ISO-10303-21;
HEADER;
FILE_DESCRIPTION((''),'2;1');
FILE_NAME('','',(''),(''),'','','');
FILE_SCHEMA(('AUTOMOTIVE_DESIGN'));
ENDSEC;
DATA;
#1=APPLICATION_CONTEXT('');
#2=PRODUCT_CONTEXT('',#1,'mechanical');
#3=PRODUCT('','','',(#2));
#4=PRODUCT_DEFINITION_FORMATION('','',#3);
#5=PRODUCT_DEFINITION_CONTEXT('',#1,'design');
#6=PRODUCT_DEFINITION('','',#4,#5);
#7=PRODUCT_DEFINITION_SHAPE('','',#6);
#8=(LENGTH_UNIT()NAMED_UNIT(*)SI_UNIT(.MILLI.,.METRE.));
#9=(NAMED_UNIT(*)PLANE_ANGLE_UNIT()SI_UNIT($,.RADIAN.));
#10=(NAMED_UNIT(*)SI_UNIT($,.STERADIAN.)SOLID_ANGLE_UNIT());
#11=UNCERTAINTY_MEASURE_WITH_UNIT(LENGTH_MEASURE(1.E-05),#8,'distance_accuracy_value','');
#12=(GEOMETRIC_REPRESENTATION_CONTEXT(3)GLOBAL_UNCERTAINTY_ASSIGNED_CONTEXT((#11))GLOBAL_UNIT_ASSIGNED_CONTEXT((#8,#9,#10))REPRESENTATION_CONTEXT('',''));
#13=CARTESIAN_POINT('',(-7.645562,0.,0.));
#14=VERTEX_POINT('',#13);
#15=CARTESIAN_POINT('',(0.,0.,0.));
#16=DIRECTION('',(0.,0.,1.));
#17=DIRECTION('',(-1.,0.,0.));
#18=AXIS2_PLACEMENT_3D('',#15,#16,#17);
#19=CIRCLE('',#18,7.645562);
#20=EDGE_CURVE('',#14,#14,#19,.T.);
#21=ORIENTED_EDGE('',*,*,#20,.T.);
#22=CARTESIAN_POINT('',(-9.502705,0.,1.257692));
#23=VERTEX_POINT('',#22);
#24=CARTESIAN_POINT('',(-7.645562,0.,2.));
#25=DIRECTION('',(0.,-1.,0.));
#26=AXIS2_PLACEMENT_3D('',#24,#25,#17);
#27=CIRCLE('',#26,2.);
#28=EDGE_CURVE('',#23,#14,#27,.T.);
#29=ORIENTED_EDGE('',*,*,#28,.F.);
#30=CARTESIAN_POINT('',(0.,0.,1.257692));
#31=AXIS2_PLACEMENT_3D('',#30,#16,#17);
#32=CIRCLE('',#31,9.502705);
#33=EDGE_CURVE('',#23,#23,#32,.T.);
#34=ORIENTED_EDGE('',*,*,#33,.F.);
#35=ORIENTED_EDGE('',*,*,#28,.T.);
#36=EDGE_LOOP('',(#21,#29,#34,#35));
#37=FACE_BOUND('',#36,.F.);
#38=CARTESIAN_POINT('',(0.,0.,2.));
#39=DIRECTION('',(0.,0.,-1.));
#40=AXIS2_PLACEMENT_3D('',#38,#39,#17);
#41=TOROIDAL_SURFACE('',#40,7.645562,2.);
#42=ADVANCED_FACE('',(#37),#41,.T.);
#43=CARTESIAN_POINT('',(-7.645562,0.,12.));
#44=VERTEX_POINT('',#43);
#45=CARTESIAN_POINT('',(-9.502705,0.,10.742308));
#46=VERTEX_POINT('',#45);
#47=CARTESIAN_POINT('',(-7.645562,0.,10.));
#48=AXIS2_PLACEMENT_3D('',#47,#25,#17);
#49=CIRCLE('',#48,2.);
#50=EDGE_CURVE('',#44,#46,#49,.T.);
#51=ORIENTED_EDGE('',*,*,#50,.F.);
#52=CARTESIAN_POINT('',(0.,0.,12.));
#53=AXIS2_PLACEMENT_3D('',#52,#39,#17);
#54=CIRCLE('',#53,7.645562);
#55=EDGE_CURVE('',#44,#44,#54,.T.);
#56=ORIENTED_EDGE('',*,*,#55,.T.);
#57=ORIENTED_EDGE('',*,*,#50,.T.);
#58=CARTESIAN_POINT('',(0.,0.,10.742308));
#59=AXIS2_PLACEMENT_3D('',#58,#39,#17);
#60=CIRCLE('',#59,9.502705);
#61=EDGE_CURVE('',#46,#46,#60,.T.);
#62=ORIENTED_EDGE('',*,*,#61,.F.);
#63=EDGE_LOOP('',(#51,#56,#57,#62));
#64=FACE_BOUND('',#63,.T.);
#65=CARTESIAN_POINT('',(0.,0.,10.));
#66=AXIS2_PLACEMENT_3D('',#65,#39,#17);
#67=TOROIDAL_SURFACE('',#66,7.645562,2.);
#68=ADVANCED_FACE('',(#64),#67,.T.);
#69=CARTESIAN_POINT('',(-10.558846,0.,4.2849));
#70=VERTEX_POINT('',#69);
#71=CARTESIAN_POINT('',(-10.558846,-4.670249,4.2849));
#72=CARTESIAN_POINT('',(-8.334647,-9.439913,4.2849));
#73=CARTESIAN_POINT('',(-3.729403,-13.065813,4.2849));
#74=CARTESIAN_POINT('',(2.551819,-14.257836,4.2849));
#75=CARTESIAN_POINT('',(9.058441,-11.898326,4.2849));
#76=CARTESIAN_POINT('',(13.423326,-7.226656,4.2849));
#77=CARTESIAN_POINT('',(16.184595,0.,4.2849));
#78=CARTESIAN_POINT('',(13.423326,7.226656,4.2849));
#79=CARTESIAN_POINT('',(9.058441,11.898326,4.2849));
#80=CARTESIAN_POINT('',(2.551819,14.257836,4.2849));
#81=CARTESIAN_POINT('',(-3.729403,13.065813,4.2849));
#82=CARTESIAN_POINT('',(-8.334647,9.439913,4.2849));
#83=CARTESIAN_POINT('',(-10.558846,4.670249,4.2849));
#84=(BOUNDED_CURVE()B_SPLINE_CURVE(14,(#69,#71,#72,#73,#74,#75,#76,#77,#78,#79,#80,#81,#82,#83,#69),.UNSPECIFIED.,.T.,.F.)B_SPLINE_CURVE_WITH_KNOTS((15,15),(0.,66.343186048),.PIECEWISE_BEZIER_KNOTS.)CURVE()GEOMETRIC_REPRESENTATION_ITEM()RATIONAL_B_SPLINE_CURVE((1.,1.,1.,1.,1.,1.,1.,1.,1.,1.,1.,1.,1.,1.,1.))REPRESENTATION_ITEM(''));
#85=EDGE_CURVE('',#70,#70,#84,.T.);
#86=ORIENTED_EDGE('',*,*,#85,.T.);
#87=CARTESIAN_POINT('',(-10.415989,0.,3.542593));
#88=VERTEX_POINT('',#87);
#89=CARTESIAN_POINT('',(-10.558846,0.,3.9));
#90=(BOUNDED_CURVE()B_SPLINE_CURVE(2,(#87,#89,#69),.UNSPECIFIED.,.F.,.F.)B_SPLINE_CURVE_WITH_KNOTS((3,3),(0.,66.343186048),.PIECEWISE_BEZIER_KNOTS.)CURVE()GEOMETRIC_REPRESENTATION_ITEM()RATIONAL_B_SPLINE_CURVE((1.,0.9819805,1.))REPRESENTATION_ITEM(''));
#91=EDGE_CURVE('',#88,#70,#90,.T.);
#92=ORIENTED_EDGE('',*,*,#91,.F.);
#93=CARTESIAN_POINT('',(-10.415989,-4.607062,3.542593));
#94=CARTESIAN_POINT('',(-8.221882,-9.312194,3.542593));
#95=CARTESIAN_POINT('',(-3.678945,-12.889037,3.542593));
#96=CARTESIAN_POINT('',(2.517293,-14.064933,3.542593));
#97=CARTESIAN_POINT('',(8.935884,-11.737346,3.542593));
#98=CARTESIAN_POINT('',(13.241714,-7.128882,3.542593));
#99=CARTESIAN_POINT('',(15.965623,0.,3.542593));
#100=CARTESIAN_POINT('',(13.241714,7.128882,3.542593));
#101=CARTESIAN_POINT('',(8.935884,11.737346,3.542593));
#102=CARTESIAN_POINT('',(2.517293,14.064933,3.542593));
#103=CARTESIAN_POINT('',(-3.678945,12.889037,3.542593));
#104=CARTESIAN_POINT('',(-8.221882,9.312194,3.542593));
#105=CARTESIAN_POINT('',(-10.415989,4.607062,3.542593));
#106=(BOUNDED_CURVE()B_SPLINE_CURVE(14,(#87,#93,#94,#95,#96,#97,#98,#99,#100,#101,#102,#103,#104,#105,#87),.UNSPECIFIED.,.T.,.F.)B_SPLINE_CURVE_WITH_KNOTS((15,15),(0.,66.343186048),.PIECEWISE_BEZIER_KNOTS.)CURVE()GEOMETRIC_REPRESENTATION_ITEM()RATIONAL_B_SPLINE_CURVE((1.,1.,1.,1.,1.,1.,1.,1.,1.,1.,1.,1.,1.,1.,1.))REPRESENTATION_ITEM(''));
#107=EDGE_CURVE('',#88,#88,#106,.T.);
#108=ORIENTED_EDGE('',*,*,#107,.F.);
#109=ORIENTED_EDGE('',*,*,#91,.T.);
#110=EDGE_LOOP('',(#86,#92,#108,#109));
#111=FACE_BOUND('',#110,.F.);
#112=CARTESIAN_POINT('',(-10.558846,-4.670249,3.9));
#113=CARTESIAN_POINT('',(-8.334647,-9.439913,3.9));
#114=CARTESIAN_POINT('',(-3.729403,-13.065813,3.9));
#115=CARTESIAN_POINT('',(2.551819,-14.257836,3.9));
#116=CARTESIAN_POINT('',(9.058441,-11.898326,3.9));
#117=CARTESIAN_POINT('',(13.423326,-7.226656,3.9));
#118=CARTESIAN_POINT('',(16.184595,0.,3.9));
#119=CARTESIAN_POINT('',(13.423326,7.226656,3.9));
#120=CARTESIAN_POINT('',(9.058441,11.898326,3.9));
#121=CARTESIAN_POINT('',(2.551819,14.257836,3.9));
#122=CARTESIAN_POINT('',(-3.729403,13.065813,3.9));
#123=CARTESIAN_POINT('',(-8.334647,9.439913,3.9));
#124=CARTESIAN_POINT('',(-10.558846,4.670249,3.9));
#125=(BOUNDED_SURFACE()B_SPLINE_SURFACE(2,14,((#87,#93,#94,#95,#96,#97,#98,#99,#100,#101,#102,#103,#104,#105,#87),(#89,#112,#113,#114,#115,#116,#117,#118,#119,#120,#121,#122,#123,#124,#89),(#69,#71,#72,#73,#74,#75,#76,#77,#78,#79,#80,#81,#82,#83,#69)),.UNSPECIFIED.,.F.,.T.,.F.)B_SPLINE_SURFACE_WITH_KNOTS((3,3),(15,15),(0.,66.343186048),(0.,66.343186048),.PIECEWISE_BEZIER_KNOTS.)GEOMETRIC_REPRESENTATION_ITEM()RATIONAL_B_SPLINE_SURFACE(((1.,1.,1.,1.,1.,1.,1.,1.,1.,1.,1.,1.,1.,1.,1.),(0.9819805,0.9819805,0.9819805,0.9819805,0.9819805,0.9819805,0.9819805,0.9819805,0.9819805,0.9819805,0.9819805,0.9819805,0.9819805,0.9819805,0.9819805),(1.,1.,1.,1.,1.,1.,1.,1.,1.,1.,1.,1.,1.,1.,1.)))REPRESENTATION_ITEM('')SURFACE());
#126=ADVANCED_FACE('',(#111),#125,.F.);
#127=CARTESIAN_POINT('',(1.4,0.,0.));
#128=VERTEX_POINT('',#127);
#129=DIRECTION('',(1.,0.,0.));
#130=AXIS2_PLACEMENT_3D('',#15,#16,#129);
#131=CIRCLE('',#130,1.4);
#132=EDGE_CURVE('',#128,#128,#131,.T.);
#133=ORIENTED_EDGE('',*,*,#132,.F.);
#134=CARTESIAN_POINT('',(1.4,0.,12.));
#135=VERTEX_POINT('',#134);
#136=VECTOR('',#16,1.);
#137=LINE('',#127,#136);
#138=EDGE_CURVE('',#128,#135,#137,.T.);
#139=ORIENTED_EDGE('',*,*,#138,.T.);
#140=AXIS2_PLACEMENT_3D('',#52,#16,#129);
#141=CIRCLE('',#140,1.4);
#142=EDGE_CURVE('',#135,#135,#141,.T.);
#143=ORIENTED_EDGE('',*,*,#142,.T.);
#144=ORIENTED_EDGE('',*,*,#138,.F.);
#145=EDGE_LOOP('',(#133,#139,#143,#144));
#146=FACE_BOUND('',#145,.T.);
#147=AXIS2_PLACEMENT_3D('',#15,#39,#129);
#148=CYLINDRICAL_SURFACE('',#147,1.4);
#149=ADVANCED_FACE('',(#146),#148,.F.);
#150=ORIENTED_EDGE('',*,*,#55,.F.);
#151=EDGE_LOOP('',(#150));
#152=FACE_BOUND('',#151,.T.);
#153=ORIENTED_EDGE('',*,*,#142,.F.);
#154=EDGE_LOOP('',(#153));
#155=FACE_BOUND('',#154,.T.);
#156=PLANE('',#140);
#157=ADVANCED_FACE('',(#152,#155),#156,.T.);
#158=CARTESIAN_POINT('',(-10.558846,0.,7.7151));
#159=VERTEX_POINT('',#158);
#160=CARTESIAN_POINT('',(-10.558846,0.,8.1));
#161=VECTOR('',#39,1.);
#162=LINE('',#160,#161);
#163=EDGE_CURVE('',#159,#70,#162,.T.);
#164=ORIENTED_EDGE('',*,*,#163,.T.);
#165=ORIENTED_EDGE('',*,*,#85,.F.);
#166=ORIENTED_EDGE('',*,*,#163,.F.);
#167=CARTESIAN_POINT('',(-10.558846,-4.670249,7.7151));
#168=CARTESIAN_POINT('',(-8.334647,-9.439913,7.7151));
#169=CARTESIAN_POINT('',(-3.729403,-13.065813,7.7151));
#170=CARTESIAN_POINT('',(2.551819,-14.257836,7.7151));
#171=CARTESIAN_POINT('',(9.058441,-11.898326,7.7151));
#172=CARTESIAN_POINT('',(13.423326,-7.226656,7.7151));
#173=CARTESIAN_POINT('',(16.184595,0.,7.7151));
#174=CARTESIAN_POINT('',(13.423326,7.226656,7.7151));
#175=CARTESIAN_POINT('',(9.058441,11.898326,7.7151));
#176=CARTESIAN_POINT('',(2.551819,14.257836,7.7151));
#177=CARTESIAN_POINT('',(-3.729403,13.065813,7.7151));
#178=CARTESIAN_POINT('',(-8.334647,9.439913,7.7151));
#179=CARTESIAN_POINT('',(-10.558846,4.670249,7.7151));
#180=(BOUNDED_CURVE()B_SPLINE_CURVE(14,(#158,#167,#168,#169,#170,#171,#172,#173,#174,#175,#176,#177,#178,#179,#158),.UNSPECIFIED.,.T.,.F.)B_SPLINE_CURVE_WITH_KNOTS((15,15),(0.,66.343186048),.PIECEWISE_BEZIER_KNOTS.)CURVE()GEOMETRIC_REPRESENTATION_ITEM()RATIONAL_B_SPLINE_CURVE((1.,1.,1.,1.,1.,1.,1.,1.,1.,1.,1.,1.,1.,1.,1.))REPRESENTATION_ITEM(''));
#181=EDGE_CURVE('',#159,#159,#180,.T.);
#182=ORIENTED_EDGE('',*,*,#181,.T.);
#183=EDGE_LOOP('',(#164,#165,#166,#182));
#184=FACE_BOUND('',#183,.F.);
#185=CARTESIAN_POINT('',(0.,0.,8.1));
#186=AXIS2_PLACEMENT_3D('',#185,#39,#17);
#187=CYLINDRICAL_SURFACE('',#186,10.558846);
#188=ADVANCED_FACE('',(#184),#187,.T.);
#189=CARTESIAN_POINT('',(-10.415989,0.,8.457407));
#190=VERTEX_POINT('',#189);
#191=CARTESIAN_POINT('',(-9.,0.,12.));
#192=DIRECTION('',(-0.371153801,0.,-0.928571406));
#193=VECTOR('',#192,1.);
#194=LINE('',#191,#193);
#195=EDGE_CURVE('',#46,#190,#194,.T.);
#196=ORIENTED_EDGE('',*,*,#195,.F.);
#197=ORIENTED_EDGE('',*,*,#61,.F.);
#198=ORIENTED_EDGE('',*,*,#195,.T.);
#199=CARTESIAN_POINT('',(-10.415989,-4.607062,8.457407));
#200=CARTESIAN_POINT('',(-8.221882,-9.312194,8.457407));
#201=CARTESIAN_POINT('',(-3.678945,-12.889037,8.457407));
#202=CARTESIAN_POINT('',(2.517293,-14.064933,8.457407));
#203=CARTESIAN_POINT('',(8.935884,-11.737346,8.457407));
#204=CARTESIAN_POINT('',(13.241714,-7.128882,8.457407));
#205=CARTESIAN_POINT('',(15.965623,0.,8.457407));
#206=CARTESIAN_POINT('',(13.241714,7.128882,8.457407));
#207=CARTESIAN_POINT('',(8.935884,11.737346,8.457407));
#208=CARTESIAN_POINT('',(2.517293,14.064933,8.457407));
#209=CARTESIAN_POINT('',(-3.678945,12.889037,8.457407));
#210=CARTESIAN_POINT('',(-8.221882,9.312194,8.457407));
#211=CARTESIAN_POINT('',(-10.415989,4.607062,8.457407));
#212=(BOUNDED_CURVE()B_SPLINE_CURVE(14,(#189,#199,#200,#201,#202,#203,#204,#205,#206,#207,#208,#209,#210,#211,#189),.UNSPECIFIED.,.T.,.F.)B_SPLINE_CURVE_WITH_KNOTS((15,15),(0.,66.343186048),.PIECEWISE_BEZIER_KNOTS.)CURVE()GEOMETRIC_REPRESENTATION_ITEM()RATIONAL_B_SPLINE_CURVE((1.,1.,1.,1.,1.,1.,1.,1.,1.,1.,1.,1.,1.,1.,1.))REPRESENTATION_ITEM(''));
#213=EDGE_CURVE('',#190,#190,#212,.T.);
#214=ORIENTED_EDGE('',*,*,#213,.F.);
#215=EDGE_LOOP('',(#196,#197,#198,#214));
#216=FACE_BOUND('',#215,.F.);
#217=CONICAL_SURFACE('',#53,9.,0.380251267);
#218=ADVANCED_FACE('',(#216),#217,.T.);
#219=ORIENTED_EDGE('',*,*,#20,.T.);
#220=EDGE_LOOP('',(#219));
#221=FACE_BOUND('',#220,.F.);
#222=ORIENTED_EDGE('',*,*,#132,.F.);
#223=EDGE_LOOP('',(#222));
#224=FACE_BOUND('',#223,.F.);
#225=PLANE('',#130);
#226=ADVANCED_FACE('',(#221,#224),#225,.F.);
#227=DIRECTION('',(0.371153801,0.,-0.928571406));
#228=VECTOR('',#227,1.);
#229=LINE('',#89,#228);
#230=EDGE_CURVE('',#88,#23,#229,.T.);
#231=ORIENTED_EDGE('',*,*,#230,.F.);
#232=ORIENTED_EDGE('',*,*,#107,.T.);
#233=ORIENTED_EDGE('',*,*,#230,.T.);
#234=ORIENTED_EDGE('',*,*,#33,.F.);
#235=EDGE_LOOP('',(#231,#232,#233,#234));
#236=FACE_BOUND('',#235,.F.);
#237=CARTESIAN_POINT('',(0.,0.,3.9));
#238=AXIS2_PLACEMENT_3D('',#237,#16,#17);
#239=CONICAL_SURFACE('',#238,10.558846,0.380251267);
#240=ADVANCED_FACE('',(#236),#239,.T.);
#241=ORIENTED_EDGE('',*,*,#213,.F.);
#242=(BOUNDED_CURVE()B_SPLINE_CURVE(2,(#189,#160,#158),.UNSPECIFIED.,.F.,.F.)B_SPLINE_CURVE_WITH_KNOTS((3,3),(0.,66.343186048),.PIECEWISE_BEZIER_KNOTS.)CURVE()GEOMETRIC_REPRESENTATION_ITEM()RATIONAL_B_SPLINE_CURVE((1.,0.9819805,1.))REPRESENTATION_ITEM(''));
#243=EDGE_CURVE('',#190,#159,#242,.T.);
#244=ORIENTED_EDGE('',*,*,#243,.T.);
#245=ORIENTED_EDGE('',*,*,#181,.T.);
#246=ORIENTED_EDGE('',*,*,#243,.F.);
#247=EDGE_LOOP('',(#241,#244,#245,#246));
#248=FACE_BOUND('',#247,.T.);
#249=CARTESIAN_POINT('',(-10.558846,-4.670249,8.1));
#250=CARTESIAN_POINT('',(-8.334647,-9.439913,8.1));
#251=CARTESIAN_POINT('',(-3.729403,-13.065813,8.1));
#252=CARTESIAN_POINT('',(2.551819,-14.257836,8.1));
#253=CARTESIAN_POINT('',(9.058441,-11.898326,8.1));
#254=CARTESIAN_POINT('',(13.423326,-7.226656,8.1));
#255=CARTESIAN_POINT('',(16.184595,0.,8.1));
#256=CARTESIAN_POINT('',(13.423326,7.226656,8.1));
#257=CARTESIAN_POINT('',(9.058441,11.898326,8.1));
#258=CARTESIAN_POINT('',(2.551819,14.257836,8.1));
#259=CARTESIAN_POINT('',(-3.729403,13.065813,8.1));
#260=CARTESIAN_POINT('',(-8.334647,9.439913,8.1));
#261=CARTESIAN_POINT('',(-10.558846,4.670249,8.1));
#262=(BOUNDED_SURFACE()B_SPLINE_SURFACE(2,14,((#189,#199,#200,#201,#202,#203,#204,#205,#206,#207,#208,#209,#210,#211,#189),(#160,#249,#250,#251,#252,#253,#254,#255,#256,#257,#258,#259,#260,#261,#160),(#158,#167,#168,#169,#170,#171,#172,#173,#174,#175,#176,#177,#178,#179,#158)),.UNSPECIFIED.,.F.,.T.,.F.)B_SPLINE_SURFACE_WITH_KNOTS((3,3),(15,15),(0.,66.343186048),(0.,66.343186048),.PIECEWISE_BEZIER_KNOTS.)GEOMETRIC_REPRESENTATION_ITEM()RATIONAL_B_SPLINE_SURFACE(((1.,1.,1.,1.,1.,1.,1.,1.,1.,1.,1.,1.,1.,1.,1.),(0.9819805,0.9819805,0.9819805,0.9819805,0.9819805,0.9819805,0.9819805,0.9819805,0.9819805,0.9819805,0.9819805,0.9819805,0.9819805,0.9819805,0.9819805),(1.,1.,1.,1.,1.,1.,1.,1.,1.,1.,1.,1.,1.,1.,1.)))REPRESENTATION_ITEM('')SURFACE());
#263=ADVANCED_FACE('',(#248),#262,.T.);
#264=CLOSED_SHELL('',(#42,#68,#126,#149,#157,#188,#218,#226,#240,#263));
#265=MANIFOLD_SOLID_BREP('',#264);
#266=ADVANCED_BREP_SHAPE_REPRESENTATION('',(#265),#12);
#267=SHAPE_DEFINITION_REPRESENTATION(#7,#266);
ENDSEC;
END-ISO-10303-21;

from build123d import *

# Parameters (mm, degrees)
F0_R     = 9
F0_R_2   = 1.4
F1_DEPTH = 12
F4_R     = 2


with BuildPart() as f1:
    # F0 (on Top) → F1 (new body)
    with BuildSketch(Plane.XY):
        Circle(F0_R)
        Circle(F0_R_2, mode=Mode.SUBTRACT)
    extrude(amount=F1_DEPTH)

    # F2 (on Front) → F3 (revolve)
    with BuildSketch(Plane.XZ):
        Polygon((-10.558846, 3.9), (-9, 0), (-9, 12), (-10.558846, 8.1), align=None)
    revolve(axis=Axis((0, 0, 12), (0, 0, 1)))

    # F4
    f4_edges = [f1.edges().sort_by_distance(p)[0] for p in [
        (10.558846, 0, 3.9),
        (10.558846, 0, 8.1),
        (-9.779423, 0, 1.95),
        (9, 0, 0),
        (9, 0, 12),
    ]]
    fillet(f4_edges, radius=F4_R)


solid = f1.part
